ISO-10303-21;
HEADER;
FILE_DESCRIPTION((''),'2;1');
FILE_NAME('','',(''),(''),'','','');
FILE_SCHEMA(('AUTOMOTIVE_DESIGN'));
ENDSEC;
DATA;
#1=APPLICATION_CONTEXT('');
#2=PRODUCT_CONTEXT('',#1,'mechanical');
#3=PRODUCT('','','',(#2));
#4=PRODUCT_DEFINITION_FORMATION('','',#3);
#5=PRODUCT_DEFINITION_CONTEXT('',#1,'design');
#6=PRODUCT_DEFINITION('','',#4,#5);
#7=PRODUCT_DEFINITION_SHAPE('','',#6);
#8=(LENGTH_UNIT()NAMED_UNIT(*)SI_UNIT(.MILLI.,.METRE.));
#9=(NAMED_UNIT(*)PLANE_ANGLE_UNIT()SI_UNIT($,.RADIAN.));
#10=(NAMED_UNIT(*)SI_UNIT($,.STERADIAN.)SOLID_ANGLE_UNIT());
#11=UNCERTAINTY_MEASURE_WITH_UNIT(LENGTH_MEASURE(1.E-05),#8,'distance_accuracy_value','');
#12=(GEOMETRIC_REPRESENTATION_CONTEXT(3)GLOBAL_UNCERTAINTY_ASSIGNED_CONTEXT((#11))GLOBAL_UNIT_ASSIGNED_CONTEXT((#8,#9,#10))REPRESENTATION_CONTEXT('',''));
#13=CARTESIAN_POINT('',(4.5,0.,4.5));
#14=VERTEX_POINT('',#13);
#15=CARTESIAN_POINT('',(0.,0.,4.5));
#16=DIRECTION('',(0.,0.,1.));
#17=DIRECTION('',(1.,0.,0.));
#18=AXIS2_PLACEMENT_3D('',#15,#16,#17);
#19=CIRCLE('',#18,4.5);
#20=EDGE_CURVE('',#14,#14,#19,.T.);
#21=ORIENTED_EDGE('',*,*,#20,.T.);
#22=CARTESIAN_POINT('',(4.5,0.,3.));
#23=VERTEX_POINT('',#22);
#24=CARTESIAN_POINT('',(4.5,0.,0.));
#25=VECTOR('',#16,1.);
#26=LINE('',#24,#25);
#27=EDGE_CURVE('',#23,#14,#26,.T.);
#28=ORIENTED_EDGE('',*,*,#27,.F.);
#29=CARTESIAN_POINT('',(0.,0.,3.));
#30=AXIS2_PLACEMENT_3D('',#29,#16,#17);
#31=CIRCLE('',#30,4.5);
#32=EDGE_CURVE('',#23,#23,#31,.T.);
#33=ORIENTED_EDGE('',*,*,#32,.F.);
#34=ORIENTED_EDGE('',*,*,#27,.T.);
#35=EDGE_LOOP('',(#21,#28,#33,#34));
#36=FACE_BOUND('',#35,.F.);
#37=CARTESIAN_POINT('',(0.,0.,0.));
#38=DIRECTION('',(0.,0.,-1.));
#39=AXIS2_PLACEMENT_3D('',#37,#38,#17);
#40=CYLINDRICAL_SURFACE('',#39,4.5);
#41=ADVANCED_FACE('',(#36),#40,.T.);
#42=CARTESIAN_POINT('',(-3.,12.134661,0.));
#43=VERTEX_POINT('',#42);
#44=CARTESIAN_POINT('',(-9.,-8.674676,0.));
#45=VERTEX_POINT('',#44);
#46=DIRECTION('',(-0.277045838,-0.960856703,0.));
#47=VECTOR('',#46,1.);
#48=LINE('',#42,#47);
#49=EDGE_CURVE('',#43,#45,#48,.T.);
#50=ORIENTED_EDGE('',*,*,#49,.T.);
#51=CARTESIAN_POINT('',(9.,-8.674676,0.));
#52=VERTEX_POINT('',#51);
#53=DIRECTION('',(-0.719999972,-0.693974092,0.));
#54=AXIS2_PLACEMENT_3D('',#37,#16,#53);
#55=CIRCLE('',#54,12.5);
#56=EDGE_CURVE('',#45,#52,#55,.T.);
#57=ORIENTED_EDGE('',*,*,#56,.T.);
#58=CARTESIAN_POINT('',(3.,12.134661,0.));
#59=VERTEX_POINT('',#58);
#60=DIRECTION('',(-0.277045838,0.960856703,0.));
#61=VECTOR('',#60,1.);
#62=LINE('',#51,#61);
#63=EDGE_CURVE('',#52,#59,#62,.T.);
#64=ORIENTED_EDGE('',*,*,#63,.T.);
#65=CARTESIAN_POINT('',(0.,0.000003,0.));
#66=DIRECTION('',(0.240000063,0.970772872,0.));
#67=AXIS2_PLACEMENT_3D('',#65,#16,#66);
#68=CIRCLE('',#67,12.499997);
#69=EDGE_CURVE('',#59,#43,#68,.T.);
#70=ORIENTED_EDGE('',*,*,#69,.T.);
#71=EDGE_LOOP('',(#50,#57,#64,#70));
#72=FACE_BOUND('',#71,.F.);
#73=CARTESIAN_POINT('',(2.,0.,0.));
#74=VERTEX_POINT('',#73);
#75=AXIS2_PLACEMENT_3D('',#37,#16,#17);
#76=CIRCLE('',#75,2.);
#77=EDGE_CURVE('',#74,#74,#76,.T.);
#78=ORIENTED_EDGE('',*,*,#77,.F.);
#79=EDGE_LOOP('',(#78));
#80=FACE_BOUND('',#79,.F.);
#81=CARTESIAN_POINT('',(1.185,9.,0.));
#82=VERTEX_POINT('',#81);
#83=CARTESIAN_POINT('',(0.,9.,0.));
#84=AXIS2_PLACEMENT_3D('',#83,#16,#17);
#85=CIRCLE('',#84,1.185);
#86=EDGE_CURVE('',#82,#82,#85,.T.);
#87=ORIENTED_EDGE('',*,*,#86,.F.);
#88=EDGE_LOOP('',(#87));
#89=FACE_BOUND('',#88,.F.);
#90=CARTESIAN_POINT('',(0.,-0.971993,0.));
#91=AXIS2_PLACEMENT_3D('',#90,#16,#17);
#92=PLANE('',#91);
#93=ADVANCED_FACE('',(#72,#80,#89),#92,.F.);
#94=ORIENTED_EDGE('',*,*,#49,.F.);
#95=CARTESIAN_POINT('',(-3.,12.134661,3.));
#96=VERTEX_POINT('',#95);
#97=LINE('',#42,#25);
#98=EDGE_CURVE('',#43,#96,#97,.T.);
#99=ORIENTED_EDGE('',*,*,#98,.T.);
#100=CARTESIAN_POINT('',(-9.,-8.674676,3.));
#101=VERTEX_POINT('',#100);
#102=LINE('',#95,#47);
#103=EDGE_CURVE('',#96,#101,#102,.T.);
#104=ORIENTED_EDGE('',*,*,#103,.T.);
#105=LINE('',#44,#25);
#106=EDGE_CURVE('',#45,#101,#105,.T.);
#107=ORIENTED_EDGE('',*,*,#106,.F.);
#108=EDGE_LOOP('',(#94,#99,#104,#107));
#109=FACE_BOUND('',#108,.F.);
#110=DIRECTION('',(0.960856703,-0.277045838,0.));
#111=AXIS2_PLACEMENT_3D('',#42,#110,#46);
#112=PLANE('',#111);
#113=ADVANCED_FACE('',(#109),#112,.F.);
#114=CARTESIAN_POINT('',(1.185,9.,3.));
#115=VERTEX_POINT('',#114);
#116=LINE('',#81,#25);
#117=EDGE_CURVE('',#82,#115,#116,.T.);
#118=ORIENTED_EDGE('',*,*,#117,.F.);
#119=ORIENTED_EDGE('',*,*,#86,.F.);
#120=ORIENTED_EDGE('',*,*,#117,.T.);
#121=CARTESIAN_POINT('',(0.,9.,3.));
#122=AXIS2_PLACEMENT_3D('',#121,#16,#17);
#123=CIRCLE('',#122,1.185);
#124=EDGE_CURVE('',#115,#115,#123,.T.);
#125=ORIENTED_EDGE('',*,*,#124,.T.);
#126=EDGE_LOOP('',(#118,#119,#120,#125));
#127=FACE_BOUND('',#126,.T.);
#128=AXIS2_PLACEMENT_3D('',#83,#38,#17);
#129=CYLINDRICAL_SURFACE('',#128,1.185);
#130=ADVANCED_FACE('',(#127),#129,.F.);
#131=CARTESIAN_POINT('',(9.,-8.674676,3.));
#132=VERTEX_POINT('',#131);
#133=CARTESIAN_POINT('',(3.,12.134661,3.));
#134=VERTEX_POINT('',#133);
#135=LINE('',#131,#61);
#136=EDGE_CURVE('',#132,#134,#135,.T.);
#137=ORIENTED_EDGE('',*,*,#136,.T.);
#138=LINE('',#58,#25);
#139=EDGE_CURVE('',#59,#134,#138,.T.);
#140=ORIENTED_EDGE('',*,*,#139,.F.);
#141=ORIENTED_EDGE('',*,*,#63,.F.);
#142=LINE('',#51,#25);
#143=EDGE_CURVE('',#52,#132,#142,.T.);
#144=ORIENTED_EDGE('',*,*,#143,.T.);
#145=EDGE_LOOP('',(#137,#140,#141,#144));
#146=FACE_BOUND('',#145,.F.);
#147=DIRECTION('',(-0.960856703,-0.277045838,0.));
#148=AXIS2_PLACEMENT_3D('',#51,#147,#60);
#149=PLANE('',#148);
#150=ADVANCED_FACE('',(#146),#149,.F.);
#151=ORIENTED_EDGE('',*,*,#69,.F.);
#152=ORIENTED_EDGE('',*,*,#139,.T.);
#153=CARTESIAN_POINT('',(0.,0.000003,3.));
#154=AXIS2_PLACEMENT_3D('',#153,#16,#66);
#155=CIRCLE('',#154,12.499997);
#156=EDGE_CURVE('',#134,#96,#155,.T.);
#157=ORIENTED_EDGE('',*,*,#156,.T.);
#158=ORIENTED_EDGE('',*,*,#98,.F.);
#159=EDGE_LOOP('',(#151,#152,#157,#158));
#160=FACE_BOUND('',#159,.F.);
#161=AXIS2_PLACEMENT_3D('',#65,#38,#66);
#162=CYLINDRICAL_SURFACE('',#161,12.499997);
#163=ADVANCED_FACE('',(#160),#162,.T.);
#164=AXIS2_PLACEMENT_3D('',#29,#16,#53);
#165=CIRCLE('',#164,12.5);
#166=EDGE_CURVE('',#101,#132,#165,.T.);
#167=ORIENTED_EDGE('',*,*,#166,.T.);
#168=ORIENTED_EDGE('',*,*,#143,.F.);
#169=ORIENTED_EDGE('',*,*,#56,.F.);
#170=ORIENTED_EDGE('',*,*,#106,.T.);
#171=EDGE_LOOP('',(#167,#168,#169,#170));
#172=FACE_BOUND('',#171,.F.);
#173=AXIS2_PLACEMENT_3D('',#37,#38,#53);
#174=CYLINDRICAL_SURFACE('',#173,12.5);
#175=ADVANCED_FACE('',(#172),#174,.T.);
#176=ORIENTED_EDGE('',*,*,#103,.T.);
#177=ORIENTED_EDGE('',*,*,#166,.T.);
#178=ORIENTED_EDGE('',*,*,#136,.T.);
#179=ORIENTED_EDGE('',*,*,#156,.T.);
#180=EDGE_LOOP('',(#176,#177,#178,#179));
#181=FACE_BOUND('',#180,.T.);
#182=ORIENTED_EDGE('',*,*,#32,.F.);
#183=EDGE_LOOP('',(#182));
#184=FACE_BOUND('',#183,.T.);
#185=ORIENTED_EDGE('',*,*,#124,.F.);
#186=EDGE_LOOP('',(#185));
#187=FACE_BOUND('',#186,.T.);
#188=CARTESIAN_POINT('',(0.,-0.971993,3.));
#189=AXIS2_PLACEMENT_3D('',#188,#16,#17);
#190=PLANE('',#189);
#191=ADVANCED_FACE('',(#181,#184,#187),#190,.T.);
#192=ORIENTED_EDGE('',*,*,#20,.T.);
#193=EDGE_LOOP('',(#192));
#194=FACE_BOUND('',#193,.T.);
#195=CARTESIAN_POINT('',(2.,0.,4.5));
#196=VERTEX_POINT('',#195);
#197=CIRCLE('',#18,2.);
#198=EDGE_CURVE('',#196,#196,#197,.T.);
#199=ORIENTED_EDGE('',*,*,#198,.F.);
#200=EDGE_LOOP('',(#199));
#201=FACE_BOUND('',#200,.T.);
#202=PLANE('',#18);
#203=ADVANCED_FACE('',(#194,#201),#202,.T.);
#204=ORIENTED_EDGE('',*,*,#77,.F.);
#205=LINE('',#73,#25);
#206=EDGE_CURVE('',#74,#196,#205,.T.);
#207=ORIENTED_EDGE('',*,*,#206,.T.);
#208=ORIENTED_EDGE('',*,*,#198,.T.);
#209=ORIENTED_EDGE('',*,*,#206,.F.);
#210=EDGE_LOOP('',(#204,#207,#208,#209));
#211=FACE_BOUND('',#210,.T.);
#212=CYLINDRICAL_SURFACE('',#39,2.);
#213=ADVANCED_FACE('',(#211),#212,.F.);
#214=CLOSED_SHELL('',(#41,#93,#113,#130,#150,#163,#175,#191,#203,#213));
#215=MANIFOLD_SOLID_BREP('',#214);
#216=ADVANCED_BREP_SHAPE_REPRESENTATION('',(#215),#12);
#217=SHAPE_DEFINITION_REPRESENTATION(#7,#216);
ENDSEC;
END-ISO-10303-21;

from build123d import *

# Parameters (mm, degrees)
F0_R     = 4.5
F0_R_2   = 1.185
F1_DEPTH = 3
F0_R_3   = 2
F2_DEPTH = 4.5


with BuildPart() as f1:
    # F0 (on Top) → F1 (new body)
    with BuildSketch(Plane.XY):
        with BuildLine():
            Line((-3, 12.134661), (-9, -8.674676))
            ThreePointArc((-9, -8.674676), (0, -12.5), (9, -8.674676))
            Line((9, -8.674676), (3, 12.134661))
            ThreePointArc((3, 12.134661), (0, 12.5), (-3, 12.134661))
        make_face()
        Circle(F0_R, mode=Mode.SUBTRACT)
        with Locations((0, 9)):
            Circle(F0_R_2, mode=Mode.SUBTRACT)
    extrude(amount=F1_DEPTH)

    # F0 (on Top) → F2 (join)
    with BuildSketch(Plane.XY):
        Circle(F0_R)
        Circle(F0_R_3, mode=Mode.SUBTRACT)
    extrude(amount=F2_DEPTH)


solid = f1.part
